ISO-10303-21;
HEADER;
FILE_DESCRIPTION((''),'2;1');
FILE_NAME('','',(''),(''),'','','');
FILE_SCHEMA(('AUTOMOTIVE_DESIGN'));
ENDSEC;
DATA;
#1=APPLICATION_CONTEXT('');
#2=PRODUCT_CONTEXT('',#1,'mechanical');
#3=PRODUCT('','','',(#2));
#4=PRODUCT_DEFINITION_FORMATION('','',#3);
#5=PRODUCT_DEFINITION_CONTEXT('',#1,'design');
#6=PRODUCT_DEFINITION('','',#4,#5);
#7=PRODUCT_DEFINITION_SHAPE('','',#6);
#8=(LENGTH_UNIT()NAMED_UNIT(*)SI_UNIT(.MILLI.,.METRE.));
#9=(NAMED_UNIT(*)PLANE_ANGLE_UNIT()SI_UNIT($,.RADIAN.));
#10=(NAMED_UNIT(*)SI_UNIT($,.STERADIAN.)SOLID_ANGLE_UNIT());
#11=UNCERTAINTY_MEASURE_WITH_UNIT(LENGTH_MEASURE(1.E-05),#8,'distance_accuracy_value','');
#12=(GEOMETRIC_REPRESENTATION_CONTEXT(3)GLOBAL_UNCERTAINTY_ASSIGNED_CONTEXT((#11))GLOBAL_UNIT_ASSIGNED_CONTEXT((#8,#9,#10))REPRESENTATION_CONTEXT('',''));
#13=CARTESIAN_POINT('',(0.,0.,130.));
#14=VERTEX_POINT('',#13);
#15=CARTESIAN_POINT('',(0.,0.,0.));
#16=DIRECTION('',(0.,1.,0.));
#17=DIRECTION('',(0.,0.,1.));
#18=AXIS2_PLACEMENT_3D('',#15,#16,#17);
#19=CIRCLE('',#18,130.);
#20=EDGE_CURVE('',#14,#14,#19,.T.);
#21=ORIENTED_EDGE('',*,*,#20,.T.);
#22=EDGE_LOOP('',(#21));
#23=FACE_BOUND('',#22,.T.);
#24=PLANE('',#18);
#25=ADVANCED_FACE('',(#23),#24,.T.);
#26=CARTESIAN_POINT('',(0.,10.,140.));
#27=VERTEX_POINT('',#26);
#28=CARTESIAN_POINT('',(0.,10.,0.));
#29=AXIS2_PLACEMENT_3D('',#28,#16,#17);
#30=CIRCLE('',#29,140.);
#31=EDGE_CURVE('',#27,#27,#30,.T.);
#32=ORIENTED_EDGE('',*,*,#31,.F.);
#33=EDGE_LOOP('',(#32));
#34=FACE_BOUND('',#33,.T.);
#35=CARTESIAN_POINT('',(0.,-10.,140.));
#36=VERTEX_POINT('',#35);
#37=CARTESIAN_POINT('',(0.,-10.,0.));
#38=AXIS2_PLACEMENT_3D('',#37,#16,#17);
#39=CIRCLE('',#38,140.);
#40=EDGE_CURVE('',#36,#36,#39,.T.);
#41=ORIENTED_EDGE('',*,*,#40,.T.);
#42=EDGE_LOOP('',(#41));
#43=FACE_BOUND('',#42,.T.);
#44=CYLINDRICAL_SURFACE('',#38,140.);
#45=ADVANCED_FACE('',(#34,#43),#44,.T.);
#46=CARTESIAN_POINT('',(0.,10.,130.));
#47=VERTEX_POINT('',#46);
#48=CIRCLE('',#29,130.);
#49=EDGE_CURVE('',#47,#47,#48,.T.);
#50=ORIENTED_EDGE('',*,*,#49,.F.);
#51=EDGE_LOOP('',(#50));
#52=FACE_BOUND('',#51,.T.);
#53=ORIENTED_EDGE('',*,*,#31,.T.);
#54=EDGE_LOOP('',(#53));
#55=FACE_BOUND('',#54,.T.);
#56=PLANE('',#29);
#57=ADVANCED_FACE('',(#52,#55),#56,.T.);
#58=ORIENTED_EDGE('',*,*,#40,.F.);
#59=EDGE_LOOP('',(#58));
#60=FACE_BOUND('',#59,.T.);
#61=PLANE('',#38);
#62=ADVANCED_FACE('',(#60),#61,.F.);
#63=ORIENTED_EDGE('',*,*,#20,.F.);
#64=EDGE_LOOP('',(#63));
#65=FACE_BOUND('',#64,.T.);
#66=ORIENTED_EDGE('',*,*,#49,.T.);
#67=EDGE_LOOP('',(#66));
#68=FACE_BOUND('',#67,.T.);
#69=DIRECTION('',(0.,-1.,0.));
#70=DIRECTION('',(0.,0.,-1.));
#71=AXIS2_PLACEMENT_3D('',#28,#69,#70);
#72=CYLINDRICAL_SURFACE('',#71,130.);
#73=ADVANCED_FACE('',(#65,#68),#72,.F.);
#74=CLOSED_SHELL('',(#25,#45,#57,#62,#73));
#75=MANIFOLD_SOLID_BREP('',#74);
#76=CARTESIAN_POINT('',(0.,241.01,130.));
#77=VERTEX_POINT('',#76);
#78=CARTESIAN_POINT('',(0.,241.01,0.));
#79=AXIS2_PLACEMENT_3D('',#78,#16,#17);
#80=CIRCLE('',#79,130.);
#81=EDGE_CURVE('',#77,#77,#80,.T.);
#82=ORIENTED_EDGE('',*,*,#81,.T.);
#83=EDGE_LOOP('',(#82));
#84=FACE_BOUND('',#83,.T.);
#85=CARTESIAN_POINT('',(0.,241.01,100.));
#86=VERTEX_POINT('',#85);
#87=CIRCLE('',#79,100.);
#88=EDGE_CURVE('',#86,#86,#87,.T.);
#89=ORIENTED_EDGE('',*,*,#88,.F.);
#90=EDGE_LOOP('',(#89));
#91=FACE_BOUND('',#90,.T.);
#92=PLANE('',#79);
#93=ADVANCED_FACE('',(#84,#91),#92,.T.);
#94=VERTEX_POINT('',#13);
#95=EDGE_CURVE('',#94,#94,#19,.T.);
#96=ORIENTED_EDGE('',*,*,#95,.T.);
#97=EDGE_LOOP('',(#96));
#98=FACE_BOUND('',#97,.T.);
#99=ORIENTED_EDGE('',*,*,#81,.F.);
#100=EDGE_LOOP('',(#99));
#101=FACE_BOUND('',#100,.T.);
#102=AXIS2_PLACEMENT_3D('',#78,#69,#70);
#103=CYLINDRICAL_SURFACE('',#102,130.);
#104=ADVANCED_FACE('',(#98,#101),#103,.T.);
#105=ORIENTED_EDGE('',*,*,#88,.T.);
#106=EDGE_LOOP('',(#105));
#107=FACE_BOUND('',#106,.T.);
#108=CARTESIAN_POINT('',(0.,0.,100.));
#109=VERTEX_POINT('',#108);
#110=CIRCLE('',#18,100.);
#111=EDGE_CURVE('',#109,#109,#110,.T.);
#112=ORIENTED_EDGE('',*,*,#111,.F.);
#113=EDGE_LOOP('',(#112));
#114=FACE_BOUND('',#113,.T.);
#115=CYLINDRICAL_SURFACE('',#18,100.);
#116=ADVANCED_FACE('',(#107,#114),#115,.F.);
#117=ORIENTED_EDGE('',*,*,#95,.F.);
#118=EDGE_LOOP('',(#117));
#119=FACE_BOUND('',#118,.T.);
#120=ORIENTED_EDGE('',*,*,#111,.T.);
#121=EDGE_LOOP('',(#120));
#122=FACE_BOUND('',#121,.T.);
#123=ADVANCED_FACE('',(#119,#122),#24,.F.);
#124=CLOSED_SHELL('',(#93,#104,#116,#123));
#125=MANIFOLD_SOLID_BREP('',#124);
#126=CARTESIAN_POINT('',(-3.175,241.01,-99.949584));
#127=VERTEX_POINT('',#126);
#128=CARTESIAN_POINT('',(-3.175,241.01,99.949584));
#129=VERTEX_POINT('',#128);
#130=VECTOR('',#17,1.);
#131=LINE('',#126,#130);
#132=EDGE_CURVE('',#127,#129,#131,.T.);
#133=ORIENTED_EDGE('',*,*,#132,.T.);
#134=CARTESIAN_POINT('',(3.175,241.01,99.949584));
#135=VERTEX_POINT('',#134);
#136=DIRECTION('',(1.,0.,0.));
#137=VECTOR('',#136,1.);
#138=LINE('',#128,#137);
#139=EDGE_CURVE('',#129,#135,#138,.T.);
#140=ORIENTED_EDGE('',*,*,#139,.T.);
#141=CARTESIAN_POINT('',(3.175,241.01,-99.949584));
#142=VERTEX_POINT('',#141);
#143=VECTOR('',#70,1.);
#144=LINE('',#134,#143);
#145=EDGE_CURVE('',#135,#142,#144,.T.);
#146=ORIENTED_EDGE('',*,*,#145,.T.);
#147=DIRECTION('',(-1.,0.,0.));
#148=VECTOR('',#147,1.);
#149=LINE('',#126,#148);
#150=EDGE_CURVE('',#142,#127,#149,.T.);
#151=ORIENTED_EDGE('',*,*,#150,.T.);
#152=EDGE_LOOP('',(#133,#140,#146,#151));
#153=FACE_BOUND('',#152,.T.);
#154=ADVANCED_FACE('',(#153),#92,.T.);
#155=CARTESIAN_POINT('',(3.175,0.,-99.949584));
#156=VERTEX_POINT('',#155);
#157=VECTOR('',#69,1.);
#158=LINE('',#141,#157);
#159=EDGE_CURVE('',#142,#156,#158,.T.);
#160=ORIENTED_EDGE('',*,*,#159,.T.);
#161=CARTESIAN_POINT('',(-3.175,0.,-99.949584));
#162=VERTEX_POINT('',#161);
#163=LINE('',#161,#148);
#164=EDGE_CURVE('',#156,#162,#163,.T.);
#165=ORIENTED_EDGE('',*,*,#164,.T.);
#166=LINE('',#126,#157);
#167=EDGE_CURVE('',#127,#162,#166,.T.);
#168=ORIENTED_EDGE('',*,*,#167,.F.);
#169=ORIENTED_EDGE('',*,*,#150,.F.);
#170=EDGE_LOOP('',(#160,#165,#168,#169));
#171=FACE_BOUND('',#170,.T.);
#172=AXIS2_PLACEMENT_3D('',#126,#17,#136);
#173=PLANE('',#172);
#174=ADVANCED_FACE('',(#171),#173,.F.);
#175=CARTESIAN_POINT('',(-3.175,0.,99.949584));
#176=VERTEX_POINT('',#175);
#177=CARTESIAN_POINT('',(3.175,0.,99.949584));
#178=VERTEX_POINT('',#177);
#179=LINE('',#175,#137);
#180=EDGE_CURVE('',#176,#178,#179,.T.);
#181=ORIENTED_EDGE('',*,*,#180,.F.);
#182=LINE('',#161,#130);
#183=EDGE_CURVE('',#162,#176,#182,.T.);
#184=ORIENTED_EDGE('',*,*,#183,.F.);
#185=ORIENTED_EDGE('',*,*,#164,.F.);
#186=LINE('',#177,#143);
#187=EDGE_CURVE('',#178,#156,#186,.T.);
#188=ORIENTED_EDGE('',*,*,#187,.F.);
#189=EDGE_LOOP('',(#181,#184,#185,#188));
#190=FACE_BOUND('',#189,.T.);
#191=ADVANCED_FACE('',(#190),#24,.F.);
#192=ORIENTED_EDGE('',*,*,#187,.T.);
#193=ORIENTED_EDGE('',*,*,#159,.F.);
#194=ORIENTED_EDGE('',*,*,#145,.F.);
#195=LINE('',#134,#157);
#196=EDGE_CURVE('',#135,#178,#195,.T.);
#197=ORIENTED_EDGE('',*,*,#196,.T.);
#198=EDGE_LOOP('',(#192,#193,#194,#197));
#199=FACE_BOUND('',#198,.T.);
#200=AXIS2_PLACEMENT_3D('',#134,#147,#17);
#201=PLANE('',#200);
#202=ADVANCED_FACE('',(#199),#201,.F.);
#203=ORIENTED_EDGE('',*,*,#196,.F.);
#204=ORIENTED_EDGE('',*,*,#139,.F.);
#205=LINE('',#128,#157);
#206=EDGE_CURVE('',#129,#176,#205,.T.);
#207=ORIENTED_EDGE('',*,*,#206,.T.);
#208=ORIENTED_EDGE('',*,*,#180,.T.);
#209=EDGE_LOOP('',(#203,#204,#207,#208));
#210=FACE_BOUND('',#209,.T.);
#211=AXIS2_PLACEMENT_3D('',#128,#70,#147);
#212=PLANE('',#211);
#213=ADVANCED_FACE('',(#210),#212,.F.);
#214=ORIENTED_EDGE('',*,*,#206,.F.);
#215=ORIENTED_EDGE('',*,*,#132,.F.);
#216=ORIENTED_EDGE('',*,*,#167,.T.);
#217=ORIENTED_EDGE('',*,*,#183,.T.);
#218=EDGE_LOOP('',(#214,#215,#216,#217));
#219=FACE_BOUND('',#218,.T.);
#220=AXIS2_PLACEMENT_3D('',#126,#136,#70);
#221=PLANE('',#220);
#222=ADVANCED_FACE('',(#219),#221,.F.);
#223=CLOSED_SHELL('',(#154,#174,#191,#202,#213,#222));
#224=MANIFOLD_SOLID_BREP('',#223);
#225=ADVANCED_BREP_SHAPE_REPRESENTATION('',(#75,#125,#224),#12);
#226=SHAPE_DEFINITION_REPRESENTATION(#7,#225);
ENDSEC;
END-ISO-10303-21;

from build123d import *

# Parameters (mm, degrees)
SKETCH1_R            = 130
BOSS_EXTRUDE1_DEPTH  = 241.01
SKETCH2_R            = 100
CUT_EXTRUDE1_DEPTH   = 304.126739335
SKETCH5_W            = 6.35
SKETCH5_H            = 199.899168332
BOSS_EXTRUDE2_DEPTH  = 241.01
SKETCH6_R            = 140
BOSS_EXTRUDE8_DEPTH  = 10
SKETCH8_R            = 140
SKETCH8_R_2          = 130
BOSS_EXTRUDE10_DEPTH = 10


with BuildPart() as part:
    # Sketch1 → Boss-Extrude1 (new body)
    with BuildSketch(Plane(origin=(0, 0, 0), x_dir=(1, 0, 0), z_dir=(0, 1, 0))):
        Circle(SKETCH1_R)
    extrude(amount=BOSS_EXTRUDE1_DEPTH)

    # Sketch2 → Cut-Extrude1 (cut, through all)
    with BuildSketch(Plane(origin=(0, 241.01, 0), x_dir=(1, 0, 0), z_dir=(0, 1, 0))):
        Circle(SKETCH2_R)
    extrude(amount=-CUT_EXTRUDE1_DEPTH, mode=Mode.SUBTRACT)


with BuildPart() as body_2:
    # Sketch5 → Boss-Extrude2 (new body)
    with BuildSketch(Plane(origin=(0, 0, 0), x_dir=(1, 0, 0), z_dir=(0, 1, 0))):
        Rectangle(SKETCH5_W, SKETCH5_H)
    extrude(amount=BOSS_EXTRUDE2_DEPTH)


with BuildPart() as body_3:
    # Sketch6 → Boss-Extrude8 (new body)
    with BuildSketch(Plane(origin=(0, 0, 0), x_dir=(1, 0, 0), z_dir=(0, 1, 0))):
        Circle(SKETCH6_R)
    extrude(amount=-BOSS_EXTRUDE8_DEPTH)


with BuildPart() as body_4:
    # Sketch8 → Boss-Extrude10 (new body)
    with BuildSketch(Plane(origin=(0, 0, 0), x_dir=(1, 0, 0), z_dir=(0, 1, 0))):
        Circle(SKETCH8_R)
        Circle(SKETCH8_R_2, mode=Mode.SUBTRACT)
    extrude(amount=BOSS_EXTRUDE10_DEPTH)


with BuildPart() as body_3_1:
    add(body_3.part)

    # Combine1: union body 4
    add(body_4.part)


solid = Compound([part.part, body_2.part, body_3_1.part])
